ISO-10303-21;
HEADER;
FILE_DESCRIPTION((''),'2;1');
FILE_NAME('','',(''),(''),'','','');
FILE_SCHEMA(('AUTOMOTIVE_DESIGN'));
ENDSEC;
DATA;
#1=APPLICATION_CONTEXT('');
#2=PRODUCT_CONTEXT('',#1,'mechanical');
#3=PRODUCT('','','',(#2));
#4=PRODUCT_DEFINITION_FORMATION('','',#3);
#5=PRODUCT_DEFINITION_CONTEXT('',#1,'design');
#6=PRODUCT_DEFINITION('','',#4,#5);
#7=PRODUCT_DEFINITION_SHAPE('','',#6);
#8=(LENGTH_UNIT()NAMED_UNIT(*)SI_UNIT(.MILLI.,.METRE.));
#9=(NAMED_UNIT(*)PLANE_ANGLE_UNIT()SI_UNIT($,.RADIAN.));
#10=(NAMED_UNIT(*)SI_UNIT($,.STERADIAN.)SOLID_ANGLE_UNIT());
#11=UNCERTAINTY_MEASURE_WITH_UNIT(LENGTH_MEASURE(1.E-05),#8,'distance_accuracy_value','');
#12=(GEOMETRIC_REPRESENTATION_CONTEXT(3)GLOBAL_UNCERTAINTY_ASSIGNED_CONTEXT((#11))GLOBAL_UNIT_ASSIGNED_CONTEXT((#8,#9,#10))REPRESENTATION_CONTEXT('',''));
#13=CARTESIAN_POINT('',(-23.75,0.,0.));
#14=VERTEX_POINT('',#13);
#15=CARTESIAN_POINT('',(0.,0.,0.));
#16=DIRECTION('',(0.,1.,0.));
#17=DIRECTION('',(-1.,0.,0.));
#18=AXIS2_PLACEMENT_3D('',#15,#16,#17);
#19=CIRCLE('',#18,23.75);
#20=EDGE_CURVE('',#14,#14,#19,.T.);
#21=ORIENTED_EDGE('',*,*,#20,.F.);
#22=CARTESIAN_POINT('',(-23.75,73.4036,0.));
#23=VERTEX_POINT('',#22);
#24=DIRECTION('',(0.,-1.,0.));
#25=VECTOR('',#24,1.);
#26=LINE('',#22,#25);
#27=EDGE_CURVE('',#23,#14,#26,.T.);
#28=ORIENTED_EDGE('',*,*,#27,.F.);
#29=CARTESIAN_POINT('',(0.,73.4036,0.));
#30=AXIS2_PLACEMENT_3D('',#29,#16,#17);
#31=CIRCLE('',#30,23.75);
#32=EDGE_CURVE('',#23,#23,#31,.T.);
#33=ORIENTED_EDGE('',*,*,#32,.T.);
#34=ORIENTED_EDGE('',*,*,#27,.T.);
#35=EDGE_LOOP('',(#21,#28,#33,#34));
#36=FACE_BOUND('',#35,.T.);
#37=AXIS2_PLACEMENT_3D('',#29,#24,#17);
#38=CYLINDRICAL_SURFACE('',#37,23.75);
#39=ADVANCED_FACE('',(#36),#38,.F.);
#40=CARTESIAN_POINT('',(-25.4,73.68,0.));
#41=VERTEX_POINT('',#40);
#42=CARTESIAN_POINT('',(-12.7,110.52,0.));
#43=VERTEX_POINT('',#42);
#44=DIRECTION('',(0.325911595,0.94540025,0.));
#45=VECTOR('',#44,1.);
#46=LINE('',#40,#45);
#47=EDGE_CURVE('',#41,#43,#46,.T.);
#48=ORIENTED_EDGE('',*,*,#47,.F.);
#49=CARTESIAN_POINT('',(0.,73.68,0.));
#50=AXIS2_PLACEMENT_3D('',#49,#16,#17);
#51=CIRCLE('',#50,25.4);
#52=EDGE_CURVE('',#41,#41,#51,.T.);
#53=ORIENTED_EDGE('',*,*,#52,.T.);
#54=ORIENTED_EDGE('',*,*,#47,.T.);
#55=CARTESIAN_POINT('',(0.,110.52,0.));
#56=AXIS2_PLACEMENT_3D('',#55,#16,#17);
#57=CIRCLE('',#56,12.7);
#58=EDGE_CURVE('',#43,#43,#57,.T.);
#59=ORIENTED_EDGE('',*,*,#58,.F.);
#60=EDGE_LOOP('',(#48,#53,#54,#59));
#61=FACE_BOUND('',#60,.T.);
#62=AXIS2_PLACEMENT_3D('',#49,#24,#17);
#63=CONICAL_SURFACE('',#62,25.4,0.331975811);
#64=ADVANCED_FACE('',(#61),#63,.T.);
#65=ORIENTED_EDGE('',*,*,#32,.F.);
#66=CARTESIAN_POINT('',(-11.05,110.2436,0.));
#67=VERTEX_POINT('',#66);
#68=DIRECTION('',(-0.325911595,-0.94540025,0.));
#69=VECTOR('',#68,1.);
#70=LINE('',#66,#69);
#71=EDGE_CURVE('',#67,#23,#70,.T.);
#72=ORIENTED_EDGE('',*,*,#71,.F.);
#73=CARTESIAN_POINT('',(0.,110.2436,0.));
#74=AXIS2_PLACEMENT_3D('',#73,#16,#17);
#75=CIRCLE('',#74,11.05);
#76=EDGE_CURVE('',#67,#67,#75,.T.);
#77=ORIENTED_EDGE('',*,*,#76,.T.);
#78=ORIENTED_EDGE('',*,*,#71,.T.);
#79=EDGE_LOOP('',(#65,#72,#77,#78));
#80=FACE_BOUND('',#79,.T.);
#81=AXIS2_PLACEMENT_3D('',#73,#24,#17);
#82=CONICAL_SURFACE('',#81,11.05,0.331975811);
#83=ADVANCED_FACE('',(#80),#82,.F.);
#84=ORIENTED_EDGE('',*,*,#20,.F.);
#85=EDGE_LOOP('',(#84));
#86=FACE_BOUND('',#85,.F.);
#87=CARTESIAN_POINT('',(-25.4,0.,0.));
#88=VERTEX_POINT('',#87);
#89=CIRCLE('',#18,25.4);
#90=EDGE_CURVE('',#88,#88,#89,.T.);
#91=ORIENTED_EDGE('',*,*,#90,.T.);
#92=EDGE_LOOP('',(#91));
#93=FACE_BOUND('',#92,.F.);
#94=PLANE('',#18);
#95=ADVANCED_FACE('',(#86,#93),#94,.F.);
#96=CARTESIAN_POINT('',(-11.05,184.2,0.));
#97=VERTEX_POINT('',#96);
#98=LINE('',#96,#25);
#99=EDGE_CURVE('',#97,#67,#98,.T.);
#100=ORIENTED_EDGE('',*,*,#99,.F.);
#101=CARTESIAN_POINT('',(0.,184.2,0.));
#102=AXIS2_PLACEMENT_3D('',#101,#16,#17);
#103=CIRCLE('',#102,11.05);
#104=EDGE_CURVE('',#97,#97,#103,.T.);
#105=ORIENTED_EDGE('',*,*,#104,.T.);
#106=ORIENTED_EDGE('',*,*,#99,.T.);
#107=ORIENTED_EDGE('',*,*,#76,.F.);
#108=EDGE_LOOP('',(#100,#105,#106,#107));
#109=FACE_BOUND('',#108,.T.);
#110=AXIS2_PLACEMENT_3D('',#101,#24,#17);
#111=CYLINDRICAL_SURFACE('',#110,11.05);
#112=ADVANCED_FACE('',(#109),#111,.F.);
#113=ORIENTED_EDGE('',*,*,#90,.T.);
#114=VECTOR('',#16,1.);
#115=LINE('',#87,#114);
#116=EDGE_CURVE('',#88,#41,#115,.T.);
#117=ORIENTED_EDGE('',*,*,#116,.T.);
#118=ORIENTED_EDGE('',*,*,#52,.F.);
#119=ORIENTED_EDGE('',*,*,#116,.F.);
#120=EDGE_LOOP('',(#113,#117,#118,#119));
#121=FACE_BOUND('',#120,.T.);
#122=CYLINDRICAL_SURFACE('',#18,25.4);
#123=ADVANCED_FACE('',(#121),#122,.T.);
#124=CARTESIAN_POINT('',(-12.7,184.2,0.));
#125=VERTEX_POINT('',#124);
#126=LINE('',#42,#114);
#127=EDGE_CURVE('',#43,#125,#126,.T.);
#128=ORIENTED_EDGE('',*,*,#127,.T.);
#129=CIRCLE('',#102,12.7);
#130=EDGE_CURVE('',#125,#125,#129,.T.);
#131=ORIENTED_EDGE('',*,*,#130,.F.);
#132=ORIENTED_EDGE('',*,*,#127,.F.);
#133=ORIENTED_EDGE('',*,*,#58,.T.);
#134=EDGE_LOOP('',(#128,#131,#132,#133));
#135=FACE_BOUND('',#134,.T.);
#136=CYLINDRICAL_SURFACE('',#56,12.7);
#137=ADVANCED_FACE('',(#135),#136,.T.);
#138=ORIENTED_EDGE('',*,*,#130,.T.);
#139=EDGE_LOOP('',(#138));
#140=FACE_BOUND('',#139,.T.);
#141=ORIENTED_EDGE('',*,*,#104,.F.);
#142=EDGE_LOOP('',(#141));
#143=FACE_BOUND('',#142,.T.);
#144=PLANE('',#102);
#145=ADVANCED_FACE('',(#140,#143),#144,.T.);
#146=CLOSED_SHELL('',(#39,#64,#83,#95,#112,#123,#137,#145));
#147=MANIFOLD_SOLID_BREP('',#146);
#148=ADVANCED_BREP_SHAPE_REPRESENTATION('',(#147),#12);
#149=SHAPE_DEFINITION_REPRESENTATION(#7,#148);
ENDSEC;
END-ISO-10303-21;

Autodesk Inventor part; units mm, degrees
ref_plane "YZ Plane" through (0, 0, 0) normal (1, 0, 0) x (0, 1, 0)
ref_plane "XZ Plane" through (0, 0, 0) normal (0, 1, 0) x (-1, 0, 0)
ref_plane "XY Plane" through (0, 0, 0) normal (0, 0, 1) x (1, 0, 0)
sketch "Sketch1" plane through (0, 0, 0) normal (0, 0, 1) x (1, 0, 0)
  line L0 (0, 0) -> (0, 68.7718)
  line L1 (0, 0) -> (-35.2548, 0) construction
  line L2 (-25.4, 0) -> (-25.4, 73.68)
  line L3 (-25.4, 73.68) -> (-12.7, 110.52)
  line L4 (-12.7, 110.52) -> (-12.7, 184.2)
  line L5 (-11.05, 184.2) -> (-11.05, 110.2436)
  line L6 (-11.05, 110.2436) -> (-23.75, 73.4036)
  line L7 (-23.75, 73.4036) -> (-23.75, 0)
  line L8 (-25.4, 0) -> (-23.75, 0)
  line L9 (-12.7, 184.2) -> (-11.05, 184.2)
  dimension "d0" = 1.65
  dimension "d1" = 25.4
  dimension "d2" = 73.68
  dimension "d3" = 73.68
  dimension "d4" = 184.2
  dimension "d5" = 50.8
revolve "Revolution1" add sketch "Sketch1" angle 360 about axis through (0, 0, 0) along (0, 1, 0)
equation "\"d2\" = 0.4 * d4"
equation "\"d3\" = d2"
properties part number "ASME BPE CON RED-50.8-25.4"
